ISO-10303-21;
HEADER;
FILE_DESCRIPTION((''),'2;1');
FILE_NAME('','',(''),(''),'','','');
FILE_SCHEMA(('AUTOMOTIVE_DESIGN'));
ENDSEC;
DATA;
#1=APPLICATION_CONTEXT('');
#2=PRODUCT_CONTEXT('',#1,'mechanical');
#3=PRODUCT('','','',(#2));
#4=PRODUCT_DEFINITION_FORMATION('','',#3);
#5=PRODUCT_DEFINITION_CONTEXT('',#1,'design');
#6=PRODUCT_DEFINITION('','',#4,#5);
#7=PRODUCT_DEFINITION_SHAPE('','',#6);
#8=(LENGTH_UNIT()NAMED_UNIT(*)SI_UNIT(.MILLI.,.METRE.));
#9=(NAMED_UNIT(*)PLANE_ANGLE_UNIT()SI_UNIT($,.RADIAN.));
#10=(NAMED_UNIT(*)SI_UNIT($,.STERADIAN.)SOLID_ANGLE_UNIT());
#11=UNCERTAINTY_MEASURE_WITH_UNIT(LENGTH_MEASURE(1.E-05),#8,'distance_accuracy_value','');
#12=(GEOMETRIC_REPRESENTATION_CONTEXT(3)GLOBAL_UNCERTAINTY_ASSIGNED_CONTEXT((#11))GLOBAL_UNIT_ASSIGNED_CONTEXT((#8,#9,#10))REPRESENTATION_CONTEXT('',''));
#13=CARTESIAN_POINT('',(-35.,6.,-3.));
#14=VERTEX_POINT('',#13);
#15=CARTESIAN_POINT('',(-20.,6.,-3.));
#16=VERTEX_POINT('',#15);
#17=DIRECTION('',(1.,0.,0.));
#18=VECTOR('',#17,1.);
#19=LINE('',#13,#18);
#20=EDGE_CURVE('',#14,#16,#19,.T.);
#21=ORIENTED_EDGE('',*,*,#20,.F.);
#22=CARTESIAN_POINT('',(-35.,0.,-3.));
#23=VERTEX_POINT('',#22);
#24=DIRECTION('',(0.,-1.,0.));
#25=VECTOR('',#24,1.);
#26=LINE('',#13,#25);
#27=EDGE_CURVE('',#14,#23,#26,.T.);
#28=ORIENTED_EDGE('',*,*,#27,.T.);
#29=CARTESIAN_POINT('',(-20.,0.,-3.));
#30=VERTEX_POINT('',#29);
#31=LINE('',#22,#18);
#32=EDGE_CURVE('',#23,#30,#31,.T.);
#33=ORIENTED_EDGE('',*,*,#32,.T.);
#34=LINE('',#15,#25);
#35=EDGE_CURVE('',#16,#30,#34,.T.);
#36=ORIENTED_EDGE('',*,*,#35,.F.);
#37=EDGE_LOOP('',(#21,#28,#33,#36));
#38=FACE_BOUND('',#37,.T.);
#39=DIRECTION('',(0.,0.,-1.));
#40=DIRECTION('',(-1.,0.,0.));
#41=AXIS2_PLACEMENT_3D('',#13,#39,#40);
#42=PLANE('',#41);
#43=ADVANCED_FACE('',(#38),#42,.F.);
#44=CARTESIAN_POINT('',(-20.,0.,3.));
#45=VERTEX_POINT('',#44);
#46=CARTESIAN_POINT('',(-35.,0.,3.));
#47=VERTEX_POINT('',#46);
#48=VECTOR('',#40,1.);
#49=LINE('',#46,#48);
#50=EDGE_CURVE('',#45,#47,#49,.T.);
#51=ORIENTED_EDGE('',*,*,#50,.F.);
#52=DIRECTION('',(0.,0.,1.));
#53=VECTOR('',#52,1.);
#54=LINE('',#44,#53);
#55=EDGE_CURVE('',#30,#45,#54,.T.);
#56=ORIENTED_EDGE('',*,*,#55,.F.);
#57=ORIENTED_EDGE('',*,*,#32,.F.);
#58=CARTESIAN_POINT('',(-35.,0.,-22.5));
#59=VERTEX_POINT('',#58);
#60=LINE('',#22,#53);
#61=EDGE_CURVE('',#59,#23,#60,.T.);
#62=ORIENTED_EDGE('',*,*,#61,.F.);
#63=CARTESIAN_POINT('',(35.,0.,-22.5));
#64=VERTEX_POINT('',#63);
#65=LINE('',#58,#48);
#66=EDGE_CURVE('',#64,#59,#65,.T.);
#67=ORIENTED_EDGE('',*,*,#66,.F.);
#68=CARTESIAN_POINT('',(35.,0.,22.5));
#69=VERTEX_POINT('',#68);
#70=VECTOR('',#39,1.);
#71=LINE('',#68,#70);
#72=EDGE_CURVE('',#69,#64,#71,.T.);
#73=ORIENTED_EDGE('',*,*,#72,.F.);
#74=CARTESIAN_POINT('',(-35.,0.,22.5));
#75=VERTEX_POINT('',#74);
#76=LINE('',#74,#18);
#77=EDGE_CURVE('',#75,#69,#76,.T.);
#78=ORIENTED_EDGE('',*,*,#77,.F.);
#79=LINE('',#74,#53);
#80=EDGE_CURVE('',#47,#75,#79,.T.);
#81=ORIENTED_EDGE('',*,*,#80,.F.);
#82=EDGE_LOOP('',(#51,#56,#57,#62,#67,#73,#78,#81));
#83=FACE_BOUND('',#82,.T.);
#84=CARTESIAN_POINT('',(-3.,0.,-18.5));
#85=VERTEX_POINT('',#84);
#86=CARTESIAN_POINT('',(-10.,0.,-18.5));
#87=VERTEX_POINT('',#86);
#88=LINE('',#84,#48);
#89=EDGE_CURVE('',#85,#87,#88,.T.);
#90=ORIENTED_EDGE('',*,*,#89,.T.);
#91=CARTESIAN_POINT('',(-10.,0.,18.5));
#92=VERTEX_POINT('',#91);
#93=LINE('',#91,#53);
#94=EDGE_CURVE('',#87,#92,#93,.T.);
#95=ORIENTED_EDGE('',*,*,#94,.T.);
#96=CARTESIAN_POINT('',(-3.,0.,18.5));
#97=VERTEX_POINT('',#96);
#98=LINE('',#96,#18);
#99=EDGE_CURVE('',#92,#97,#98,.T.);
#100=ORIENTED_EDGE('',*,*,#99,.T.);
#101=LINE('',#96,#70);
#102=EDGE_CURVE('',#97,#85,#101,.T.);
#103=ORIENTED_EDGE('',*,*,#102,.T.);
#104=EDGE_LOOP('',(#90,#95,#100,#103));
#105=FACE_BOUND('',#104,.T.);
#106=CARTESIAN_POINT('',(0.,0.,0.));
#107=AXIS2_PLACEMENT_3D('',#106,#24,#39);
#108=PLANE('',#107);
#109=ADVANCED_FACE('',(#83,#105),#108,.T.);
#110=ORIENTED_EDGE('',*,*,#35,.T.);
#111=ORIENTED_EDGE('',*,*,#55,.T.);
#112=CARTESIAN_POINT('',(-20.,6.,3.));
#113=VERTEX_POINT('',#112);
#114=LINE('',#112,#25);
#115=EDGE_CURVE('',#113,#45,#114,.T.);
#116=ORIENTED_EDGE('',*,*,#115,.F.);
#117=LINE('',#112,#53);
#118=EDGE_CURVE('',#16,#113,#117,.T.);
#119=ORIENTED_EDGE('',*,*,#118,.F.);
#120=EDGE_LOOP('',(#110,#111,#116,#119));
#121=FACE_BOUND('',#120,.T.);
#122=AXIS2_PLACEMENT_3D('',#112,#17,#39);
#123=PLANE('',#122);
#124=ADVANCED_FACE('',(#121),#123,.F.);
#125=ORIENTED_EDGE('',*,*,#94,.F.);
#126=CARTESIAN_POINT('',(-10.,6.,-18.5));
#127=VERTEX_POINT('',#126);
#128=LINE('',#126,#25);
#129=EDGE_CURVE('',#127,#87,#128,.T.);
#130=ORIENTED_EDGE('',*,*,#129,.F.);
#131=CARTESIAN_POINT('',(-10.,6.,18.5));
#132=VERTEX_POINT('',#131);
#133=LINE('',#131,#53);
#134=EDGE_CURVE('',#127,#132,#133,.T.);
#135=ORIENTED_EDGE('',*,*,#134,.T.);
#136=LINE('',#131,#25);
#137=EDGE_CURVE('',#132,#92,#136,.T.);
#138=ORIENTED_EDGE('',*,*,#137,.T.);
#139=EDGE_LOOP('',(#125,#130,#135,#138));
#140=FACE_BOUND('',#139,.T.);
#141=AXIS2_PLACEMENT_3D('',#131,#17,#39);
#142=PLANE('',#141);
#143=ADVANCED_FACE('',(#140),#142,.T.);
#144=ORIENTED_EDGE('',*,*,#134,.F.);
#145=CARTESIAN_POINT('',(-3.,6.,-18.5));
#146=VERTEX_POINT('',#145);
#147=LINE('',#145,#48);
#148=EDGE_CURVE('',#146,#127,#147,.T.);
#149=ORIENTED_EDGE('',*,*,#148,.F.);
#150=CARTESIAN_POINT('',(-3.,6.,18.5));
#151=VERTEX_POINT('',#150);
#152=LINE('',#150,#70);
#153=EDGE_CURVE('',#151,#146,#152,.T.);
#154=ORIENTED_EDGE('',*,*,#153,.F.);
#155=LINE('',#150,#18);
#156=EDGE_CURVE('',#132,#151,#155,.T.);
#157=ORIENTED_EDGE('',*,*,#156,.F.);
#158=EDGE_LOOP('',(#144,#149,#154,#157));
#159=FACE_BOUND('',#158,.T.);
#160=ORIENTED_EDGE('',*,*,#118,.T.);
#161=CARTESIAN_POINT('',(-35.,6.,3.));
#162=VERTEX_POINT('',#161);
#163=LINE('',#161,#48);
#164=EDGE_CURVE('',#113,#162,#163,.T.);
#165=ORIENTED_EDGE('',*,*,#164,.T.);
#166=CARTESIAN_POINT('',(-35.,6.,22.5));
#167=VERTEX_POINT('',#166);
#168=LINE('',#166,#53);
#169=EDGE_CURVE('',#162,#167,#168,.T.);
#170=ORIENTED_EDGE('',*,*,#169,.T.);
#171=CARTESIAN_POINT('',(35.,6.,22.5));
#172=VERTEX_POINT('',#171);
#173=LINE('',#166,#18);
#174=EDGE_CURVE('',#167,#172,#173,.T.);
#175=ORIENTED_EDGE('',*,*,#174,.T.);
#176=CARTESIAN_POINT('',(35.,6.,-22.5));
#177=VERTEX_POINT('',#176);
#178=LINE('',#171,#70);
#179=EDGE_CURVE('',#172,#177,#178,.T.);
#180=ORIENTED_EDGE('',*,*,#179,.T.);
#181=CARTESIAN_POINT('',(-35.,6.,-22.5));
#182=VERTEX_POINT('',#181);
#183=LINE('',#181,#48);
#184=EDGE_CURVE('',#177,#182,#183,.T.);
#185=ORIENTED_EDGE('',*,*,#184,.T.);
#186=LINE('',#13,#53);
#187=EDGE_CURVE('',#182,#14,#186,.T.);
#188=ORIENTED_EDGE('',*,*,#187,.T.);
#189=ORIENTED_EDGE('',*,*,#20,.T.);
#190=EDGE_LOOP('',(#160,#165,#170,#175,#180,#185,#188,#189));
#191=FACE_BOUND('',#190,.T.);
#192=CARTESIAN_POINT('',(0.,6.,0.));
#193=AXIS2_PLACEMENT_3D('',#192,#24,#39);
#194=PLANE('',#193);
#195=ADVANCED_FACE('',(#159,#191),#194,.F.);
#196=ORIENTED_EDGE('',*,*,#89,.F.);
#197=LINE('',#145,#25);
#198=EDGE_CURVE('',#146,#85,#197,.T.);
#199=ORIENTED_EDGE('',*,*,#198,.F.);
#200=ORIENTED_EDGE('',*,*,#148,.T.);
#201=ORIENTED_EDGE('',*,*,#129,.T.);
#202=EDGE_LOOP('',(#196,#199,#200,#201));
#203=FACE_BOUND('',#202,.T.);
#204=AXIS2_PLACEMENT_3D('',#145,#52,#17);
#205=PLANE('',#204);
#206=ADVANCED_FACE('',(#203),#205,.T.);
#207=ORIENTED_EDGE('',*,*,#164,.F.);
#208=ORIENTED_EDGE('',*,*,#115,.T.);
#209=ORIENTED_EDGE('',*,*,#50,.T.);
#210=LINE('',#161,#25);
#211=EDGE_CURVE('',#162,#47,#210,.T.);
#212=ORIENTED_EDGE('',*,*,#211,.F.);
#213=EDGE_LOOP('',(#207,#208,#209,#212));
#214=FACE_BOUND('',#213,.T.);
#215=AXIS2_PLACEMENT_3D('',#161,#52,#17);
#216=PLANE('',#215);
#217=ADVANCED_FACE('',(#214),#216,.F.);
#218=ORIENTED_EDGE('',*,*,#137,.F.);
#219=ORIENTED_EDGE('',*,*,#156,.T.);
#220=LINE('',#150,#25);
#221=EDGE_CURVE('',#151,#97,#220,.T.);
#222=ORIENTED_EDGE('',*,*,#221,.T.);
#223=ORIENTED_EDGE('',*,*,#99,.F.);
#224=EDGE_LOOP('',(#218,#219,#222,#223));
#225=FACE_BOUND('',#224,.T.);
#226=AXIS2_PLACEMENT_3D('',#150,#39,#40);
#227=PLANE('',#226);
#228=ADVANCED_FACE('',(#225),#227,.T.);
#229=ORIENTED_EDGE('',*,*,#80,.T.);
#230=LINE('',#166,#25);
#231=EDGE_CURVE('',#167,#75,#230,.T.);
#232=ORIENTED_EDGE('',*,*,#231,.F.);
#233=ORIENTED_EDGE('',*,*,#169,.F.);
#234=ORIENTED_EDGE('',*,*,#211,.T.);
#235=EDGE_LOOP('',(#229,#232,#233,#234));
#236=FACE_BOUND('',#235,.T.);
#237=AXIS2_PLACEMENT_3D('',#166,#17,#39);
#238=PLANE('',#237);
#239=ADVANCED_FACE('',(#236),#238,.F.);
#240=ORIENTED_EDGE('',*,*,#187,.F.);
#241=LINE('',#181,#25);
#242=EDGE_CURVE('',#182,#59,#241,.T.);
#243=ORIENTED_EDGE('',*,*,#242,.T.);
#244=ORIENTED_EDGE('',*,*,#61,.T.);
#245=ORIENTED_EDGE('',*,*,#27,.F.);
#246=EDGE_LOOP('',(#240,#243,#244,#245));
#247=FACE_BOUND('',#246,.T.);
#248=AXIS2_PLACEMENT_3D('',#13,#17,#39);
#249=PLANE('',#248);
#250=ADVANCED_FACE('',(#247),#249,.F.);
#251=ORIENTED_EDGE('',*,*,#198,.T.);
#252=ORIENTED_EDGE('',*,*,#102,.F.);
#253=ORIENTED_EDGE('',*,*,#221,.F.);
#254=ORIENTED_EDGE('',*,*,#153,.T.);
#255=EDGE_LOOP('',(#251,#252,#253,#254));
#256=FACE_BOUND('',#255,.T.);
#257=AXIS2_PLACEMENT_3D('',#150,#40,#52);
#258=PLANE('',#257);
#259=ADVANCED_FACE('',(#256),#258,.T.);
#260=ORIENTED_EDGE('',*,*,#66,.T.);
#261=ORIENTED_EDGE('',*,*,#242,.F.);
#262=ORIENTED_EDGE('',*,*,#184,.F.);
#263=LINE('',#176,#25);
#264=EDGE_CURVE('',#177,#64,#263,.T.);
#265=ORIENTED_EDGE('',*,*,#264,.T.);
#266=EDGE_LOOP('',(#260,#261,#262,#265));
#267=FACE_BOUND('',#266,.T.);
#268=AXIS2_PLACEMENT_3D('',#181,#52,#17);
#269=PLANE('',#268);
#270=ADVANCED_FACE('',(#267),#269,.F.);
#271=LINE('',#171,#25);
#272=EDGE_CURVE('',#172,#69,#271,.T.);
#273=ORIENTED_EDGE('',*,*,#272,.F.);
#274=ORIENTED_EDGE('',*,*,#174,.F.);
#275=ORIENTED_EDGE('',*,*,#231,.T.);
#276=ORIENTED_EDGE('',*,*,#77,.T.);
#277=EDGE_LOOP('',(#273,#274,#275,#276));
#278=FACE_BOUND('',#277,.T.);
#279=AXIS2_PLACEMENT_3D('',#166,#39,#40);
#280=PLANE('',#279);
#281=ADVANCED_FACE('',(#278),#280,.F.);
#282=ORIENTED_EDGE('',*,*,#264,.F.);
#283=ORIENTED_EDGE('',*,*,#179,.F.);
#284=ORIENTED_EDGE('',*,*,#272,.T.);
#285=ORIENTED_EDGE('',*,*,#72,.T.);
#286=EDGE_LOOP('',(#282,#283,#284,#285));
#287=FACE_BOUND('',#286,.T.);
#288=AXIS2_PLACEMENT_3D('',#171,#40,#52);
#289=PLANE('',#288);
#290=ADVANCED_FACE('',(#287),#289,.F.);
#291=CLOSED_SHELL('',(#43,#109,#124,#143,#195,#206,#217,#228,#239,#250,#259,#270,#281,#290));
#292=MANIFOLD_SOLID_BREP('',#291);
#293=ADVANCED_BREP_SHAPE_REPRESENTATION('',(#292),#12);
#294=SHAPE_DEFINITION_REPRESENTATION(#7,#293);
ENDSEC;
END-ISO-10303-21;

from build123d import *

# Parameters (mm, degrees)
SKETCH_1_W      = 7
SKETCH_1_H      = 37
EXTRUDE_1_DEPTH = 6


with BuildPart() as part:
    # Эскиз1 → Бобышка-Вытянуть1 (new body)
    with BuildSketch(Plane(origin=(0, 0, 0), x_dir=(1, 0, 0), z_dir=(0, 1, 0))):
        Polygon((-35, 3), (-35, 22.5), (35, 22.5), (35, -22.5), (-35, -22.5), (-35, -3), (-20, -3), (-20, 3), align=None)
        with Locations((-6.5, 0)):
            Rectangle(SKETCH_1_W, SKETCH_1_H, mode=Mode.SUBTRACT)
    extrude(amount=EXTRUDE_1_DEPTH)


solid = part.part
